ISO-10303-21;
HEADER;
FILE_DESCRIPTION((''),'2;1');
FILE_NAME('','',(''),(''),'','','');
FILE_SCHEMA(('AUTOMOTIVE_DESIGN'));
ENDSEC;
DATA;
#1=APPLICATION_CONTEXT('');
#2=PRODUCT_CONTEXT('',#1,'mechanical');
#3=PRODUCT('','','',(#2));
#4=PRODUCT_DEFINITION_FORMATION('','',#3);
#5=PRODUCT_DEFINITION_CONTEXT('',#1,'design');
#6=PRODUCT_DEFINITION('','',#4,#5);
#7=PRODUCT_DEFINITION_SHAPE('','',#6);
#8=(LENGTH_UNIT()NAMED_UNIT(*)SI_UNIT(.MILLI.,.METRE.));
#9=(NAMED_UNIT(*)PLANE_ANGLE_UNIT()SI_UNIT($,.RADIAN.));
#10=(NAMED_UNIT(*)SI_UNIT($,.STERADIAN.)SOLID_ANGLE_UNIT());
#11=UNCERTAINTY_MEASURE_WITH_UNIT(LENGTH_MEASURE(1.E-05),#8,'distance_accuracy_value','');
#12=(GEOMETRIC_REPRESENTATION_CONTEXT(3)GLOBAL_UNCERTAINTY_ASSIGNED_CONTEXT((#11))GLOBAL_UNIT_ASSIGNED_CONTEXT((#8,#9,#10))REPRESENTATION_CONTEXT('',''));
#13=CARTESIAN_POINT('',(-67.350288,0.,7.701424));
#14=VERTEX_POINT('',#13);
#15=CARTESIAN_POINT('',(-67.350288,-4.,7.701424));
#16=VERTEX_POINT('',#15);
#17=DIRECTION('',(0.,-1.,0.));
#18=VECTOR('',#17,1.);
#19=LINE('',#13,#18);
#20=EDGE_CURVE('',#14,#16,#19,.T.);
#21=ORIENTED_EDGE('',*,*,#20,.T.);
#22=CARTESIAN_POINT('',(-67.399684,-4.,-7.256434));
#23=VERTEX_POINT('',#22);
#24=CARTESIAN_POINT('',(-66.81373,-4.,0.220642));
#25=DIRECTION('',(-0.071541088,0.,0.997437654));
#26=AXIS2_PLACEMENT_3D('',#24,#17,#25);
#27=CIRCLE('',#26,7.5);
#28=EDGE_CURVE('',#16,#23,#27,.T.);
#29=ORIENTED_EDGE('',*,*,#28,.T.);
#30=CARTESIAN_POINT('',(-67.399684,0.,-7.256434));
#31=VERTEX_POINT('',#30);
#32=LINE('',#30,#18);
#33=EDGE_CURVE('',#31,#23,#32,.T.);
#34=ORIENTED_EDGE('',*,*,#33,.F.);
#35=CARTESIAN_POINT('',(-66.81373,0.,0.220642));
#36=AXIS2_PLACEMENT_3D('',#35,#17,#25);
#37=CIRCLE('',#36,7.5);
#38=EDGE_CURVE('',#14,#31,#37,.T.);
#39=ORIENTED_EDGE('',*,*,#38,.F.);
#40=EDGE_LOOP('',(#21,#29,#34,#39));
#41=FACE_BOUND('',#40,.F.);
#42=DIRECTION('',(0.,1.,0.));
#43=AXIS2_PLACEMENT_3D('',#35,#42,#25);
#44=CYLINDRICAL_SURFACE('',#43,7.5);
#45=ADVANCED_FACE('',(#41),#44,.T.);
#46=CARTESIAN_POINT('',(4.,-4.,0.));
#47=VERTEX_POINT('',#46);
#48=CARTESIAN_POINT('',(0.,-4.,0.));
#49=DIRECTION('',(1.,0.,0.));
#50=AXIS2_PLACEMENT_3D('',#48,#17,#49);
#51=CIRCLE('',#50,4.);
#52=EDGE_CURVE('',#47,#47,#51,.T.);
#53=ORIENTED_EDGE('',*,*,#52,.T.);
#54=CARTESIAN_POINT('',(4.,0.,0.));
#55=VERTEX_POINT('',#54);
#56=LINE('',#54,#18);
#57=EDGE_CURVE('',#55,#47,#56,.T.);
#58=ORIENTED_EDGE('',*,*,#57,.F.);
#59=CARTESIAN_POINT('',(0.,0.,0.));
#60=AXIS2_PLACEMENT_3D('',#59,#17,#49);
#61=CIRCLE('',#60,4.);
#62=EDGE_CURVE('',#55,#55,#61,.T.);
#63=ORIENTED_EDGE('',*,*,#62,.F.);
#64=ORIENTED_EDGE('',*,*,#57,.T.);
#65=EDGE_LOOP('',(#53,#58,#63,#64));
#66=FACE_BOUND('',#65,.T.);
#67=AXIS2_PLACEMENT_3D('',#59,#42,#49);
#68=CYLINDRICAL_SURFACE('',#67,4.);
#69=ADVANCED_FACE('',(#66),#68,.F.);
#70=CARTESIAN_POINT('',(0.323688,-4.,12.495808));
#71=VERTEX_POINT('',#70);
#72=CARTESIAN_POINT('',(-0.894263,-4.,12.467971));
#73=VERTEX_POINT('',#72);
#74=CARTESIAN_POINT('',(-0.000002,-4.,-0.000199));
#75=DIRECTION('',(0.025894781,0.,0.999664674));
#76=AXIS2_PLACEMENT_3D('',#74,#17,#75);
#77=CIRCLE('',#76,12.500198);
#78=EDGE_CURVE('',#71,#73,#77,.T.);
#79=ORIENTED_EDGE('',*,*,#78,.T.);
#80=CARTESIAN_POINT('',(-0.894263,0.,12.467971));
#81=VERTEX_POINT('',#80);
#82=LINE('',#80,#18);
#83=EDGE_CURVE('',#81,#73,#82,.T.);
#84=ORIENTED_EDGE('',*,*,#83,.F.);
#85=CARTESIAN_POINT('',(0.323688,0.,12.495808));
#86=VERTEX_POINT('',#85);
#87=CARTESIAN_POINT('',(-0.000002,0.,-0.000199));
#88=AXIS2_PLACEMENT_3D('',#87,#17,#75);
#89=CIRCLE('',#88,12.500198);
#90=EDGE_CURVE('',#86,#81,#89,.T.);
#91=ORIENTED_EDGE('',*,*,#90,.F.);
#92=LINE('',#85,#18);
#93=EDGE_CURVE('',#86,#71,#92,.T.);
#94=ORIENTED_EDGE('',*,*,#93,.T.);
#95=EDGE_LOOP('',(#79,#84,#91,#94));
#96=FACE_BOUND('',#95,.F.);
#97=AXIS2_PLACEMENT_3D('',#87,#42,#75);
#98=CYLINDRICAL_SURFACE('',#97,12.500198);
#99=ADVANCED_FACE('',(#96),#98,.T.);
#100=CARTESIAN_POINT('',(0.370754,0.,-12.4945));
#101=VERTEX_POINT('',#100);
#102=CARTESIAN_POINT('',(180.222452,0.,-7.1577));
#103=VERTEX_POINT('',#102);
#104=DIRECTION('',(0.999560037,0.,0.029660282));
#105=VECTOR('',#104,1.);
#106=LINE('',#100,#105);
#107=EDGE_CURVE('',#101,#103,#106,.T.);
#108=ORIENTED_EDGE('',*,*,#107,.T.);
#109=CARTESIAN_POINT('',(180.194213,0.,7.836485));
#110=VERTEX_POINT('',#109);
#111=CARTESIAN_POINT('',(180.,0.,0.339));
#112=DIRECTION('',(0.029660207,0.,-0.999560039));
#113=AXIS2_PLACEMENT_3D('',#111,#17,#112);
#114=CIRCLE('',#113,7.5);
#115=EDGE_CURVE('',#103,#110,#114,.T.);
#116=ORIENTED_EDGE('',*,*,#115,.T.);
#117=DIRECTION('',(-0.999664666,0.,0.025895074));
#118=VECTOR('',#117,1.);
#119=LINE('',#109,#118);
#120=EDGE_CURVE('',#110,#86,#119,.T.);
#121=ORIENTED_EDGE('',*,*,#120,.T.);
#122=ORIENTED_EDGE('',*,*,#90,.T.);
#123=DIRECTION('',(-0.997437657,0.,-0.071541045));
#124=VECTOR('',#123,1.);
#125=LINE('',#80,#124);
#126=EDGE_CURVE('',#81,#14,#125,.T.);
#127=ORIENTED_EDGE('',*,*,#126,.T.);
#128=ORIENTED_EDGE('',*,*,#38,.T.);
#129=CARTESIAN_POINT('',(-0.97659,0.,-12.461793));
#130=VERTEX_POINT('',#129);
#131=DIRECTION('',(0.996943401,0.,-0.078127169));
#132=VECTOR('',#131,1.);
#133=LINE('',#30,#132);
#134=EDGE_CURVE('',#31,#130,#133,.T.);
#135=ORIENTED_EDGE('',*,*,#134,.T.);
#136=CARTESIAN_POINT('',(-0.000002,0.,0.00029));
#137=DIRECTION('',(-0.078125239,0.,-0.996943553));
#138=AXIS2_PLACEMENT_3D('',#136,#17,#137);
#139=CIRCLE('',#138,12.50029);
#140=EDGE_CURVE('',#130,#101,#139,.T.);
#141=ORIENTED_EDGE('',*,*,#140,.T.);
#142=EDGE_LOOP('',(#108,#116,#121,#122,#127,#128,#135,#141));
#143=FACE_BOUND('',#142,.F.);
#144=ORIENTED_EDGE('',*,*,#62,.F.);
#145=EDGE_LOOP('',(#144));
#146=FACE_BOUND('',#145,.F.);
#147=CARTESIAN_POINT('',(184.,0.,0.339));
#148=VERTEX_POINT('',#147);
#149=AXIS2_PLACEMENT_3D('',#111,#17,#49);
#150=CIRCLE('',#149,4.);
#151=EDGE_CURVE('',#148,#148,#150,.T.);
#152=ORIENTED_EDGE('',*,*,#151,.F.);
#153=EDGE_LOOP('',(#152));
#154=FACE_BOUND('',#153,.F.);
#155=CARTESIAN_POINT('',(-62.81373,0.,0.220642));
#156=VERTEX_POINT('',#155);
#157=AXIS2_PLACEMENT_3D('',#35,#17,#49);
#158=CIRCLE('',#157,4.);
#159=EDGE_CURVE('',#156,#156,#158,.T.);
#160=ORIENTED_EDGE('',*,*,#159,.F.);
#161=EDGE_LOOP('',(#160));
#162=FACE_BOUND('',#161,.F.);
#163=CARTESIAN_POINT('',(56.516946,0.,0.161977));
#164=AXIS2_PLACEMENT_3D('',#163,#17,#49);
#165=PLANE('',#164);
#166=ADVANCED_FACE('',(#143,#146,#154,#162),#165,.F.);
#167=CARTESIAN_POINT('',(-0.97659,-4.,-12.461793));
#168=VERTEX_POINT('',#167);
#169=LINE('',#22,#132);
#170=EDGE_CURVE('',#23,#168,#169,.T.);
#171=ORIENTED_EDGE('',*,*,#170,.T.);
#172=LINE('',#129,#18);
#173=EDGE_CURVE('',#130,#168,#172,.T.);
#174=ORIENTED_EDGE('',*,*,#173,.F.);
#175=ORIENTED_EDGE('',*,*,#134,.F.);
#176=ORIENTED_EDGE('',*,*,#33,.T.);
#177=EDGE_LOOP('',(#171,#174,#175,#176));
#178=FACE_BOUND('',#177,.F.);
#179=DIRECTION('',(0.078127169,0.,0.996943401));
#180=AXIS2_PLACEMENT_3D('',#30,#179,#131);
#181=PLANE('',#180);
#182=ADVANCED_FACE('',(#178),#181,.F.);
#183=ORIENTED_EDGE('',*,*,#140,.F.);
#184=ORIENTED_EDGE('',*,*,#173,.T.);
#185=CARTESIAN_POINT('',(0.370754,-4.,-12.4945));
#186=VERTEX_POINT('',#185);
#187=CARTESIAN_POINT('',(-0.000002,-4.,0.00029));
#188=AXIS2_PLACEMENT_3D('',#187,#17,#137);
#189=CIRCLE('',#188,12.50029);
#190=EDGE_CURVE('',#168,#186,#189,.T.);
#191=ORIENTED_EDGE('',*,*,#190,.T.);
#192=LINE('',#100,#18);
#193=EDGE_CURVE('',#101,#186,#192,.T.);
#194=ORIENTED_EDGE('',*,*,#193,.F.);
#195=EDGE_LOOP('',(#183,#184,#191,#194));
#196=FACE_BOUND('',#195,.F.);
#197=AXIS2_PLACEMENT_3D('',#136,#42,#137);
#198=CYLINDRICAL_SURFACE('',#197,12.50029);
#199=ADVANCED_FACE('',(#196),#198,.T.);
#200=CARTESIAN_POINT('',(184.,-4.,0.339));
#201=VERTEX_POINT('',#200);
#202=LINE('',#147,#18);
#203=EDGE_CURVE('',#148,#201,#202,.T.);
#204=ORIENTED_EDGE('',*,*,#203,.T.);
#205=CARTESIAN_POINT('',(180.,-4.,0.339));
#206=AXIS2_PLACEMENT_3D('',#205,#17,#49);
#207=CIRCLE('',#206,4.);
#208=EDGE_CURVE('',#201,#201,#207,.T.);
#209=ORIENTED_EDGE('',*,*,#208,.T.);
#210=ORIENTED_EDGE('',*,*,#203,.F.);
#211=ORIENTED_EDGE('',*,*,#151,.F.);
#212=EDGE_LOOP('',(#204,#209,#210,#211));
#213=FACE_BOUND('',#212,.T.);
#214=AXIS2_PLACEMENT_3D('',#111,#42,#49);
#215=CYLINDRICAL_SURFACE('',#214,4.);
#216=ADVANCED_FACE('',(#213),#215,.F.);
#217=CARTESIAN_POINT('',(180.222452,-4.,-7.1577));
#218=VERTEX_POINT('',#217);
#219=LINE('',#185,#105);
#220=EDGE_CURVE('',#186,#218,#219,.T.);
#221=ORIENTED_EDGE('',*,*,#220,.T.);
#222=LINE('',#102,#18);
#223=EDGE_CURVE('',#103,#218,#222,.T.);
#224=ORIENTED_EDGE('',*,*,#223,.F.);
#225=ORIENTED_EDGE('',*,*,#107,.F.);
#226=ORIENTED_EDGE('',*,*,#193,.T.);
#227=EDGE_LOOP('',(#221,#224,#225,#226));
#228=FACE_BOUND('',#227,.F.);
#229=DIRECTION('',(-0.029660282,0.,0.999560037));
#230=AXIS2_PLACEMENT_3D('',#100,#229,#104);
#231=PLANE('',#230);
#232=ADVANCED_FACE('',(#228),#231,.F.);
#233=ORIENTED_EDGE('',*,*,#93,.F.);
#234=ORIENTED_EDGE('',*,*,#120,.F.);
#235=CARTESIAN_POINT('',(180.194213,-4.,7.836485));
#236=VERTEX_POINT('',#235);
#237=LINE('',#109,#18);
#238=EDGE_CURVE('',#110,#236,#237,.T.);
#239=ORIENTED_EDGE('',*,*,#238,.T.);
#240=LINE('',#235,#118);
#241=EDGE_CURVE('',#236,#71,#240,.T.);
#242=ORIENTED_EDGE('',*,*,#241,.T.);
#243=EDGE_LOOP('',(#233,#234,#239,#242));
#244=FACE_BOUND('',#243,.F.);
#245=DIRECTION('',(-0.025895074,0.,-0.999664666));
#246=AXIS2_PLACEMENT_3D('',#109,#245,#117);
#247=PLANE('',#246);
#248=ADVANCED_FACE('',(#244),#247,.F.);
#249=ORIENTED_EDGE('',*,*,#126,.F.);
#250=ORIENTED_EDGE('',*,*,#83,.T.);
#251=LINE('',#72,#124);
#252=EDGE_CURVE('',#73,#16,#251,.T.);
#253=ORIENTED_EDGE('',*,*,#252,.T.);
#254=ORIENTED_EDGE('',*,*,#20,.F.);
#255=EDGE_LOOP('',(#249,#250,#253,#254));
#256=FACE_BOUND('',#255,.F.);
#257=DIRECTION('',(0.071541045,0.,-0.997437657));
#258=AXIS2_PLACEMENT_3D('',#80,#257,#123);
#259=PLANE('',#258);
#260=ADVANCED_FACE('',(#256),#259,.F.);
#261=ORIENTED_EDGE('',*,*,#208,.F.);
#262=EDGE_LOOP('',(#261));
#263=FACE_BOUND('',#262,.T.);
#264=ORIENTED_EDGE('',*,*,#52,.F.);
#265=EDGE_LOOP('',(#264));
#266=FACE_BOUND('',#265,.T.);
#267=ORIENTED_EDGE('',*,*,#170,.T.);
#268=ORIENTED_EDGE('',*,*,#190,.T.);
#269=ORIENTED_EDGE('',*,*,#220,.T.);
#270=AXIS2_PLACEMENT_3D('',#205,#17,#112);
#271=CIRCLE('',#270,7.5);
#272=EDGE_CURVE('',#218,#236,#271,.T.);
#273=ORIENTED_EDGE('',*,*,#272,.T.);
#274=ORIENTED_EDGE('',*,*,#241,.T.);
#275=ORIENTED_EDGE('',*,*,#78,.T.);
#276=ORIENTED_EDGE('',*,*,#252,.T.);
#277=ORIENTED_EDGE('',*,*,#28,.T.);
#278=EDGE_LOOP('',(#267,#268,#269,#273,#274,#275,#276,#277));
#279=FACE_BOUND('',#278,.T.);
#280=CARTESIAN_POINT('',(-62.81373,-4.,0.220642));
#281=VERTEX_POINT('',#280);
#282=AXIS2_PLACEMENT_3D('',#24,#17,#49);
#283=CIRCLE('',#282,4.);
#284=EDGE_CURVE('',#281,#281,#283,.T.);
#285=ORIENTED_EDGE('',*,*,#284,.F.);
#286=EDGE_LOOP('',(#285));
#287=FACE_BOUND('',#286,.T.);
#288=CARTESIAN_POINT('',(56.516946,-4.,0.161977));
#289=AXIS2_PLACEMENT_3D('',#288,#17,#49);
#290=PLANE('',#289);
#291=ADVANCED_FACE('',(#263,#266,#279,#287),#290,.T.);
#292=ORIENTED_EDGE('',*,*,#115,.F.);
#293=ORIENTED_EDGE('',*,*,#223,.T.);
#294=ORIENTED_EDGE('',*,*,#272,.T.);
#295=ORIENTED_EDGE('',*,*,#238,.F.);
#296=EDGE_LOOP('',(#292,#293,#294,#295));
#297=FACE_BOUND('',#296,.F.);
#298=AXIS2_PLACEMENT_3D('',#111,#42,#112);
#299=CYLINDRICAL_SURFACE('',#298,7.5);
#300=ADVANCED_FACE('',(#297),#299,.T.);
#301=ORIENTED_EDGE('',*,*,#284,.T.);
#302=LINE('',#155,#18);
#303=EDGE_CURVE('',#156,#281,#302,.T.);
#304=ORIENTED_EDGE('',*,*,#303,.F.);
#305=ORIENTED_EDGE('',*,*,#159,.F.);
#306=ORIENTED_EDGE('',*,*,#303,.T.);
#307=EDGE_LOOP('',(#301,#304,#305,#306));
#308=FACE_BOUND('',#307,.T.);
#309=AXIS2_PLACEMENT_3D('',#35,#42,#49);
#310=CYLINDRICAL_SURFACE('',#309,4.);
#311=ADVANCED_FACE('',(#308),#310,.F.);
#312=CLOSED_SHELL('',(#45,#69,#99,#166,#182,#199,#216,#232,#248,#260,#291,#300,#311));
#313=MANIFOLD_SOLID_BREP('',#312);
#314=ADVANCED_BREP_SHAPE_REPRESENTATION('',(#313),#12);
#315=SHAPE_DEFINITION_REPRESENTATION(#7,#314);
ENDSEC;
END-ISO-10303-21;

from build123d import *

# Parameters (mm, degrees)
F0_R     = 4
F1_DEPTH = 4


with BuildPart() as f1:
    # F0 (on Front) → F1 (new body)
    with BuildSketch(Plane.XZ):
        with BuildLine():
            Line((-0.894263, 12.467971), (-67.350288, 7.701424))
            ThreePointArc((-67.350288, 7.701424), (-74.313689, 0.245409), (-67.399684, -7.256434))
            Line((-67.399684, -7.256434), (-0.97659, -12.461793))
            ThreePointArc((-0.97659, -12.461793), (-0.303359, -12.496318), (0.370754, -12.4945))
            Line((0.370754, -12.4945), (180.222452, -7.1577))
            ThreePointArc((180.222452, -7.1577), (187.499987, 0.353125), (180.194213, 7.836485))
            Line((180.194213, 7.836485), (0.323688, 12.495808))
            ThreePointArc((0.323688, 12.495808), (-0.285627, 12.496736), (-0.894263, 12.467971))
        make_face()
        with Locations((-66.81373, 0.220642)):
            Circle(F0_R, mode=Mode.SUBTRACT)
        Circle(F0_R, mode=Mode.SUBTRACT)
        with Locations((180, 0.339)):
            Circle(F0_R, mode=Mode.SUBTRACT)
    extrude(amount=F1_DEPTH)


solid = f1.part
